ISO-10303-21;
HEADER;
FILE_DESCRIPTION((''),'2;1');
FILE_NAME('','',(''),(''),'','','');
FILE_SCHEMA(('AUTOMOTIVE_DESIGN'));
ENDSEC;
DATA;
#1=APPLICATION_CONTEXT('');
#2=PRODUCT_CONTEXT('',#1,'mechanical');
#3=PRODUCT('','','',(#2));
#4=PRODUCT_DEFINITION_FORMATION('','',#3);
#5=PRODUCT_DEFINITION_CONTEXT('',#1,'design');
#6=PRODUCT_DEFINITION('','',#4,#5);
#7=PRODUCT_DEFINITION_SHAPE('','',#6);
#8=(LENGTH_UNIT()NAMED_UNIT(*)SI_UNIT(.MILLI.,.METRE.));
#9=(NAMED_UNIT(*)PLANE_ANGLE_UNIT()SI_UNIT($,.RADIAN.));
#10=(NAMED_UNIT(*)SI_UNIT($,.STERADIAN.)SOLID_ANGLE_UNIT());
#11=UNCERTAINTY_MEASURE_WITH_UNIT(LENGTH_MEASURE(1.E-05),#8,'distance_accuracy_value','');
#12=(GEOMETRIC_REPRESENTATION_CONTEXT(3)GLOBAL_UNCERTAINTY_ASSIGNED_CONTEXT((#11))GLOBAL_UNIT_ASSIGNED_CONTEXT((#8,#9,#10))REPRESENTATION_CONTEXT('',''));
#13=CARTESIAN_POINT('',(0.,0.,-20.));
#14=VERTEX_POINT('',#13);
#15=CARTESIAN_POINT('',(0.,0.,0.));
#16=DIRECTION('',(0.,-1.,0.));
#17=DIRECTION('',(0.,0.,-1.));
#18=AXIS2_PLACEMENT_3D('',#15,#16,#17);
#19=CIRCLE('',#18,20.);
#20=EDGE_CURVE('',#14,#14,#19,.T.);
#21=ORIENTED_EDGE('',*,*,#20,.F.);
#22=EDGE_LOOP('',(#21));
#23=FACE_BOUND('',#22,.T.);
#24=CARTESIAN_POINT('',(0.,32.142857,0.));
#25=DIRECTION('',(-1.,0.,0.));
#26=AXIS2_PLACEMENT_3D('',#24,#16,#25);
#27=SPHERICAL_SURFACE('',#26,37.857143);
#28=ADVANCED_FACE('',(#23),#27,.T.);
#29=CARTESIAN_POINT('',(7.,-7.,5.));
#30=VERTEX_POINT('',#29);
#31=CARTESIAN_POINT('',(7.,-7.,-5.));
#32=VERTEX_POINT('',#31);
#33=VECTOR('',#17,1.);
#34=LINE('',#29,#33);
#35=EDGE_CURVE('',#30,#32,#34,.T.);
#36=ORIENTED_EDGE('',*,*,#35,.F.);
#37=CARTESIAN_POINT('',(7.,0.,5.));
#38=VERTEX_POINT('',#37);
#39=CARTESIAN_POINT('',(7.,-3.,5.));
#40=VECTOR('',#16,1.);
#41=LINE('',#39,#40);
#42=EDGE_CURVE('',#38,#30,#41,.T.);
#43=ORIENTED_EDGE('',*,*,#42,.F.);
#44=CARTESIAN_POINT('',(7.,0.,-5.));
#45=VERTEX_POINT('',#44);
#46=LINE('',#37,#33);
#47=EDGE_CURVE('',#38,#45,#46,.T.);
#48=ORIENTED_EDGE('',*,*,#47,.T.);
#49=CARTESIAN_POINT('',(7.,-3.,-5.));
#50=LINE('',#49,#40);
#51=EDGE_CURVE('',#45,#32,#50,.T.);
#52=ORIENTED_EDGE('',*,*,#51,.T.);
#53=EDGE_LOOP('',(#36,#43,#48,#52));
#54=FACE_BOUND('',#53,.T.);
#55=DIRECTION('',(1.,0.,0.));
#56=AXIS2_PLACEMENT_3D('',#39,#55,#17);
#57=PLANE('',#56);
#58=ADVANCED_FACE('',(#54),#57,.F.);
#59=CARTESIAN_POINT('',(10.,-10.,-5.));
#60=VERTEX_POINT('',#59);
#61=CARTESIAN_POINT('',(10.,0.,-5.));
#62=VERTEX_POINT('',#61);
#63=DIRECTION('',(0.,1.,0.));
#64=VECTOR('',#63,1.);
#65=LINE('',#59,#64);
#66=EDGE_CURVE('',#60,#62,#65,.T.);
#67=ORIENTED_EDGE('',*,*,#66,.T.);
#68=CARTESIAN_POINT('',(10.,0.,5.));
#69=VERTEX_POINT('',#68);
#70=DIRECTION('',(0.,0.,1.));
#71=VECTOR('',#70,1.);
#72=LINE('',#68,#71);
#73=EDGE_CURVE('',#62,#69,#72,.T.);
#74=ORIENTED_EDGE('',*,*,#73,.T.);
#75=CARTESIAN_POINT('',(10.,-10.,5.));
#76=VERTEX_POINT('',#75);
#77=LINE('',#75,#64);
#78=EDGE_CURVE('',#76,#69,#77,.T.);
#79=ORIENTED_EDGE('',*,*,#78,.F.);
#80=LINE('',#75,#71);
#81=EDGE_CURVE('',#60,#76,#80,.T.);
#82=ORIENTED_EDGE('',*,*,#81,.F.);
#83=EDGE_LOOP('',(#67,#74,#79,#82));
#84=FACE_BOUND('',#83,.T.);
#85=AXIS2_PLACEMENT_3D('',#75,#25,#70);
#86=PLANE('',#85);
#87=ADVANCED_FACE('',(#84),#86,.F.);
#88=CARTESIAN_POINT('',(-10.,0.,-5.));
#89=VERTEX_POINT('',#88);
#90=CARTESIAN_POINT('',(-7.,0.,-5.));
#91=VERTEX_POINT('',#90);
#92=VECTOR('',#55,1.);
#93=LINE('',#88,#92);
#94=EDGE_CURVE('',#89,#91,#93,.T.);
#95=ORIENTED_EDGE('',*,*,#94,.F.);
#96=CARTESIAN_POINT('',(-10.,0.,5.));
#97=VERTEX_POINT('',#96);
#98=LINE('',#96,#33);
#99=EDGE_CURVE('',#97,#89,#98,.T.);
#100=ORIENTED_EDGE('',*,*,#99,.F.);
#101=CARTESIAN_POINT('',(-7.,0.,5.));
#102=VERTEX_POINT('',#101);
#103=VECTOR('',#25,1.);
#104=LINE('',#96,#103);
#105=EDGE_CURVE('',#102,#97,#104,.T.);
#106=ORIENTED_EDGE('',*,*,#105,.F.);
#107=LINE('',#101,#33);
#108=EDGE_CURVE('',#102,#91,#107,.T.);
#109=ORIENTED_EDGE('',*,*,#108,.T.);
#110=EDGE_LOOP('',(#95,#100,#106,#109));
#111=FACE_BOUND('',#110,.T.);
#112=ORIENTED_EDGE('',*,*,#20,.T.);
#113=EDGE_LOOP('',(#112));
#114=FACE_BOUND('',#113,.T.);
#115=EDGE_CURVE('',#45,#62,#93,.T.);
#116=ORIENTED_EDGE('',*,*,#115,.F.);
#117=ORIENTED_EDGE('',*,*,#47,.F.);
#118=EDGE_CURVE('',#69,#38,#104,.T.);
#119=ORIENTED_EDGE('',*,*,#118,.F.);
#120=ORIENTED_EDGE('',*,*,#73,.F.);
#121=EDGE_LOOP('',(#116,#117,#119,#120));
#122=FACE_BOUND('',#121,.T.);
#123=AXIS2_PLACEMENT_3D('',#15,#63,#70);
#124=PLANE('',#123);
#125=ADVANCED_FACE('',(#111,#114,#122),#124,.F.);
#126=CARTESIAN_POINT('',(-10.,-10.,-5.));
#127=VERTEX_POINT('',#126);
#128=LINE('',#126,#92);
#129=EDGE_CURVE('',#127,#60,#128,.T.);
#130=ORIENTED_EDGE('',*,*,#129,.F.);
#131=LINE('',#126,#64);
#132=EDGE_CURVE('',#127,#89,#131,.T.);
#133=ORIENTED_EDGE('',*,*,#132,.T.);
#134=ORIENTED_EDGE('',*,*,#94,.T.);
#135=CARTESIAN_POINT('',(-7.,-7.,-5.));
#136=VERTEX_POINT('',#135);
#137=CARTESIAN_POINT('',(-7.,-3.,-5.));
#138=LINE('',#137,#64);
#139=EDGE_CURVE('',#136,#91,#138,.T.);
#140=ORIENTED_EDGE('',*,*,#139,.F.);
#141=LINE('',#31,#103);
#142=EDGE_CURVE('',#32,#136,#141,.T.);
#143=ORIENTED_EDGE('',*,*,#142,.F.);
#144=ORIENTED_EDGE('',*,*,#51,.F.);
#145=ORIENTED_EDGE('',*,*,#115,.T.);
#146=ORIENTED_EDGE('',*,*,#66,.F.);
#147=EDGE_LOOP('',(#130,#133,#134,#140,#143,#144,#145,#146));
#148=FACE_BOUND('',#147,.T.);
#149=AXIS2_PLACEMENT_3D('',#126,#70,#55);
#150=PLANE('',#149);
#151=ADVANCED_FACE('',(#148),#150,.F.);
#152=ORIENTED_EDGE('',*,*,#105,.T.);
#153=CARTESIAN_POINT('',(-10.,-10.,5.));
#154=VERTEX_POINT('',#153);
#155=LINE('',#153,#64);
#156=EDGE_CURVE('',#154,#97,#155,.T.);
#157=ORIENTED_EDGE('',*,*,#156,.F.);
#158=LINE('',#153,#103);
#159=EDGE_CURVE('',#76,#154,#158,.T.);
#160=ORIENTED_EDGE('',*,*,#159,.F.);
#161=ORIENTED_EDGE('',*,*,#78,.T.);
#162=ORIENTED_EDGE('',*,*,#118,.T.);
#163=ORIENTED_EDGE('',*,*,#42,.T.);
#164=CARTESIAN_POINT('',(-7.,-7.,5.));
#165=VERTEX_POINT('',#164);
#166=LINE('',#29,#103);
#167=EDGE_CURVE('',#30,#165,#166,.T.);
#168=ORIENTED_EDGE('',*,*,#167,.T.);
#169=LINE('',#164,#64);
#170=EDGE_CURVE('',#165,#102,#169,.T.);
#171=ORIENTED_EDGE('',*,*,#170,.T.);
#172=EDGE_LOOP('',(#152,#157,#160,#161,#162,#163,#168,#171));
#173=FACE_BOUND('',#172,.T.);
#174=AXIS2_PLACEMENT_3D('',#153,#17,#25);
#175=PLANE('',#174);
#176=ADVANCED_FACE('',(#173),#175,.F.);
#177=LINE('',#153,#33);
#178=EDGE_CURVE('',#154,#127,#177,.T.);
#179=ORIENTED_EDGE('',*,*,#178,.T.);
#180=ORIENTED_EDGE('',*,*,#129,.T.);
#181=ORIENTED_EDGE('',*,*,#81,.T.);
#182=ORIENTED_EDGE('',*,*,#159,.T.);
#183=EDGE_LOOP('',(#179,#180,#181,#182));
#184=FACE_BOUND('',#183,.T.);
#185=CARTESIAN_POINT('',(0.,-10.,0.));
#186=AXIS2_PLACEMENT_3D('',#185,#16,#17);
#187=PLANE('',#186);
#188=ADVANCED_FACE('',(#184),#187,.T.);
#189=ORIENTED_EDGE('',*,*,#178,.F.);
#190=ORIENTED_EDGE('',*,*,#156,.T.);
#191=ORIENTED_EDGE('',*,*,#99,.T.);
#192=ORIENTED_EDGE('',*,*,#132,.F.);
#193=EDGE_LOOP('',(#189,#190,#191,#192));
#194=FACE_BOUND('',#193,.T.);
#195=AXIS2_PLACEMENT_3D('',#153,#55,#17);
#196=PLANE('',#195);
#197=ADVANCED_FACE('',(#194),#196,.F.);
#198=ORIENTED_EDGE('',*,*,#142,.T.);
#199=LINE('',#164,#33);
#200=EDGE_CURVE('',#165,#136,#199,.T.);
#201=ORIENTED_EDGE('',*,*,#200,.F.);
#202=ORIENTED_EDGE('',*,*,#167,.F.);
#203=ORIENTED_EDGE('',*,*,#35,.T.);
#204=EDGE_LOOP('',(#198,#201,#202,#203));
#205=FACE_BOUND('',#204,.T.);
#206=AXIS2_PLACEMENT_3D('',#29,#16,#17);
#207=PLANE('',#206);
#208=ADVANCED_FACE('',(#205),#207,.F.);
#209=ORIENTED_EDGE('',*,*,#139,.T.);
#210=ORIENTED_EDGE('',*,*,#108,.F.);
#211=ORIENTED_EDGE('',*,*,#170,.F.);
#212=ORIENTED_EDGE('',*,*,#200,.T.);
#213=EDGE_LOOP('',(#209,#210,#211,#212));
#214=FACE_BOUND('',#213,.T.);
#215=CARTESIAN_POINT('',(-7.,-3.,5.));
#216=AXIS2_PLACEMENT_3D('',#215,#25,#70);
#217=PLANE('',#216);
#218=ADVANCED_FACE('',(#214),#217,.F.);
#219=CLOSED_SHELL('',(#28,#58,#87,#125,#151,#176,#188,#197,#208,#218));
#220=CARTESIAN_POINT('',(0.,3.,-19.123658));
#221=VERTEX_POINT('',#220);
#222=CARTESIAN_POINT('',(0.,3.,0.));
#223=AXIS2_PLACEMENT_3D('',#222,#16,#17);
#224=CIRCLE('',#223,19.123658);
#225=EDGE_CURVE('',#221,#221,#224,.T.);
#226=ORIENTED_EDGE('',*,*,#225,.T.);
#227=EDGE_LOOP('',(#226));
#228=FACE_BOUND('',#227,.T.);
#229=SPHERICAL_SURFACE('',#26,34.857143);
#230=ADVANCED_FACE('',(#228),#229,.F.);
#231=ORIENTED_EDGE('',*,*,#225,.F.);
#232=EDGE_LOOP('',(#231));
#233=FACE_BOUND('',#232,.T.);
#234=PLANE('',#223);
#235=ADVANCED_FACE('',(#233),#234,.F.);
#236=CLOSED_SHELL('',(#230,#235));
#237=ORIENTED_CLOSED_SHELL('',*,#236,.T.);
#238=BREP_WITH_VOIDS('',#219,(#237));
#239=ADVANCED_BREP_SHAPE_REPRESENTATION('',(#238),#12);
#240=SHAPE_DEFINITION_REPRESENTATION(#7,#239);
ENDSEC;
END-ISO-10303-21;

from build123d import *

# Parameters (mm, degrees)
ESQUISSE2_W             = 20
ESQUISSE2_H             = 10
BOSS_EXTRU_1_DEPTH      = 10
ENL_V_MAT_EXTRU_2_DEPTH = 10


with BuildPart() as part:
    # Esquisse1 → Révolution3 (revolve)
    with BuildSketch(Plane.XY):
        with BuildLine():
            Line((0, 0), (-20, 0))
            ThreePointArc((-20, 0), (-36.400549446, 42.543014128), (0, 70))
            Line((0, 70), (0, 67))
            ThreePointArc((0, 67), (-33.398032448, 42.122428112), (-19.123657749, 3))
            Line((-19.123657749, 3), (0, 3))
            Line((0, 3), (0, 0))
        make_face()
    revolve(axis=Axis((0, 0, 0), (0, 1, 0)))

    # Esquisse2 → Boss.-Extru.1 (add)
    with BuildSketch(Plane.XZ):
        Rectangle(ESQUISSE2_W, ESQUISSE2_H)
    extrude(amount=BOSS_EXTRU_1_DEPTH)

    # Esquisse3 → Enlèv. mat.-Extru.2 (cut)
    with BuildSketch(Plane(origin=(0, 0, -5), x_dir=(-1, 0, 0), z_dir=(0, 0, -1))):
        Polygon((7, -3), (7, 0), (-7, 0), (-7, -3), (-7, -7), (7, -7), align=None)
    extrude(amount=-ENL_V_MAT_EXTRU_2_DEPTH, mode=Mode.SUBTRACT)


solid = part.part
